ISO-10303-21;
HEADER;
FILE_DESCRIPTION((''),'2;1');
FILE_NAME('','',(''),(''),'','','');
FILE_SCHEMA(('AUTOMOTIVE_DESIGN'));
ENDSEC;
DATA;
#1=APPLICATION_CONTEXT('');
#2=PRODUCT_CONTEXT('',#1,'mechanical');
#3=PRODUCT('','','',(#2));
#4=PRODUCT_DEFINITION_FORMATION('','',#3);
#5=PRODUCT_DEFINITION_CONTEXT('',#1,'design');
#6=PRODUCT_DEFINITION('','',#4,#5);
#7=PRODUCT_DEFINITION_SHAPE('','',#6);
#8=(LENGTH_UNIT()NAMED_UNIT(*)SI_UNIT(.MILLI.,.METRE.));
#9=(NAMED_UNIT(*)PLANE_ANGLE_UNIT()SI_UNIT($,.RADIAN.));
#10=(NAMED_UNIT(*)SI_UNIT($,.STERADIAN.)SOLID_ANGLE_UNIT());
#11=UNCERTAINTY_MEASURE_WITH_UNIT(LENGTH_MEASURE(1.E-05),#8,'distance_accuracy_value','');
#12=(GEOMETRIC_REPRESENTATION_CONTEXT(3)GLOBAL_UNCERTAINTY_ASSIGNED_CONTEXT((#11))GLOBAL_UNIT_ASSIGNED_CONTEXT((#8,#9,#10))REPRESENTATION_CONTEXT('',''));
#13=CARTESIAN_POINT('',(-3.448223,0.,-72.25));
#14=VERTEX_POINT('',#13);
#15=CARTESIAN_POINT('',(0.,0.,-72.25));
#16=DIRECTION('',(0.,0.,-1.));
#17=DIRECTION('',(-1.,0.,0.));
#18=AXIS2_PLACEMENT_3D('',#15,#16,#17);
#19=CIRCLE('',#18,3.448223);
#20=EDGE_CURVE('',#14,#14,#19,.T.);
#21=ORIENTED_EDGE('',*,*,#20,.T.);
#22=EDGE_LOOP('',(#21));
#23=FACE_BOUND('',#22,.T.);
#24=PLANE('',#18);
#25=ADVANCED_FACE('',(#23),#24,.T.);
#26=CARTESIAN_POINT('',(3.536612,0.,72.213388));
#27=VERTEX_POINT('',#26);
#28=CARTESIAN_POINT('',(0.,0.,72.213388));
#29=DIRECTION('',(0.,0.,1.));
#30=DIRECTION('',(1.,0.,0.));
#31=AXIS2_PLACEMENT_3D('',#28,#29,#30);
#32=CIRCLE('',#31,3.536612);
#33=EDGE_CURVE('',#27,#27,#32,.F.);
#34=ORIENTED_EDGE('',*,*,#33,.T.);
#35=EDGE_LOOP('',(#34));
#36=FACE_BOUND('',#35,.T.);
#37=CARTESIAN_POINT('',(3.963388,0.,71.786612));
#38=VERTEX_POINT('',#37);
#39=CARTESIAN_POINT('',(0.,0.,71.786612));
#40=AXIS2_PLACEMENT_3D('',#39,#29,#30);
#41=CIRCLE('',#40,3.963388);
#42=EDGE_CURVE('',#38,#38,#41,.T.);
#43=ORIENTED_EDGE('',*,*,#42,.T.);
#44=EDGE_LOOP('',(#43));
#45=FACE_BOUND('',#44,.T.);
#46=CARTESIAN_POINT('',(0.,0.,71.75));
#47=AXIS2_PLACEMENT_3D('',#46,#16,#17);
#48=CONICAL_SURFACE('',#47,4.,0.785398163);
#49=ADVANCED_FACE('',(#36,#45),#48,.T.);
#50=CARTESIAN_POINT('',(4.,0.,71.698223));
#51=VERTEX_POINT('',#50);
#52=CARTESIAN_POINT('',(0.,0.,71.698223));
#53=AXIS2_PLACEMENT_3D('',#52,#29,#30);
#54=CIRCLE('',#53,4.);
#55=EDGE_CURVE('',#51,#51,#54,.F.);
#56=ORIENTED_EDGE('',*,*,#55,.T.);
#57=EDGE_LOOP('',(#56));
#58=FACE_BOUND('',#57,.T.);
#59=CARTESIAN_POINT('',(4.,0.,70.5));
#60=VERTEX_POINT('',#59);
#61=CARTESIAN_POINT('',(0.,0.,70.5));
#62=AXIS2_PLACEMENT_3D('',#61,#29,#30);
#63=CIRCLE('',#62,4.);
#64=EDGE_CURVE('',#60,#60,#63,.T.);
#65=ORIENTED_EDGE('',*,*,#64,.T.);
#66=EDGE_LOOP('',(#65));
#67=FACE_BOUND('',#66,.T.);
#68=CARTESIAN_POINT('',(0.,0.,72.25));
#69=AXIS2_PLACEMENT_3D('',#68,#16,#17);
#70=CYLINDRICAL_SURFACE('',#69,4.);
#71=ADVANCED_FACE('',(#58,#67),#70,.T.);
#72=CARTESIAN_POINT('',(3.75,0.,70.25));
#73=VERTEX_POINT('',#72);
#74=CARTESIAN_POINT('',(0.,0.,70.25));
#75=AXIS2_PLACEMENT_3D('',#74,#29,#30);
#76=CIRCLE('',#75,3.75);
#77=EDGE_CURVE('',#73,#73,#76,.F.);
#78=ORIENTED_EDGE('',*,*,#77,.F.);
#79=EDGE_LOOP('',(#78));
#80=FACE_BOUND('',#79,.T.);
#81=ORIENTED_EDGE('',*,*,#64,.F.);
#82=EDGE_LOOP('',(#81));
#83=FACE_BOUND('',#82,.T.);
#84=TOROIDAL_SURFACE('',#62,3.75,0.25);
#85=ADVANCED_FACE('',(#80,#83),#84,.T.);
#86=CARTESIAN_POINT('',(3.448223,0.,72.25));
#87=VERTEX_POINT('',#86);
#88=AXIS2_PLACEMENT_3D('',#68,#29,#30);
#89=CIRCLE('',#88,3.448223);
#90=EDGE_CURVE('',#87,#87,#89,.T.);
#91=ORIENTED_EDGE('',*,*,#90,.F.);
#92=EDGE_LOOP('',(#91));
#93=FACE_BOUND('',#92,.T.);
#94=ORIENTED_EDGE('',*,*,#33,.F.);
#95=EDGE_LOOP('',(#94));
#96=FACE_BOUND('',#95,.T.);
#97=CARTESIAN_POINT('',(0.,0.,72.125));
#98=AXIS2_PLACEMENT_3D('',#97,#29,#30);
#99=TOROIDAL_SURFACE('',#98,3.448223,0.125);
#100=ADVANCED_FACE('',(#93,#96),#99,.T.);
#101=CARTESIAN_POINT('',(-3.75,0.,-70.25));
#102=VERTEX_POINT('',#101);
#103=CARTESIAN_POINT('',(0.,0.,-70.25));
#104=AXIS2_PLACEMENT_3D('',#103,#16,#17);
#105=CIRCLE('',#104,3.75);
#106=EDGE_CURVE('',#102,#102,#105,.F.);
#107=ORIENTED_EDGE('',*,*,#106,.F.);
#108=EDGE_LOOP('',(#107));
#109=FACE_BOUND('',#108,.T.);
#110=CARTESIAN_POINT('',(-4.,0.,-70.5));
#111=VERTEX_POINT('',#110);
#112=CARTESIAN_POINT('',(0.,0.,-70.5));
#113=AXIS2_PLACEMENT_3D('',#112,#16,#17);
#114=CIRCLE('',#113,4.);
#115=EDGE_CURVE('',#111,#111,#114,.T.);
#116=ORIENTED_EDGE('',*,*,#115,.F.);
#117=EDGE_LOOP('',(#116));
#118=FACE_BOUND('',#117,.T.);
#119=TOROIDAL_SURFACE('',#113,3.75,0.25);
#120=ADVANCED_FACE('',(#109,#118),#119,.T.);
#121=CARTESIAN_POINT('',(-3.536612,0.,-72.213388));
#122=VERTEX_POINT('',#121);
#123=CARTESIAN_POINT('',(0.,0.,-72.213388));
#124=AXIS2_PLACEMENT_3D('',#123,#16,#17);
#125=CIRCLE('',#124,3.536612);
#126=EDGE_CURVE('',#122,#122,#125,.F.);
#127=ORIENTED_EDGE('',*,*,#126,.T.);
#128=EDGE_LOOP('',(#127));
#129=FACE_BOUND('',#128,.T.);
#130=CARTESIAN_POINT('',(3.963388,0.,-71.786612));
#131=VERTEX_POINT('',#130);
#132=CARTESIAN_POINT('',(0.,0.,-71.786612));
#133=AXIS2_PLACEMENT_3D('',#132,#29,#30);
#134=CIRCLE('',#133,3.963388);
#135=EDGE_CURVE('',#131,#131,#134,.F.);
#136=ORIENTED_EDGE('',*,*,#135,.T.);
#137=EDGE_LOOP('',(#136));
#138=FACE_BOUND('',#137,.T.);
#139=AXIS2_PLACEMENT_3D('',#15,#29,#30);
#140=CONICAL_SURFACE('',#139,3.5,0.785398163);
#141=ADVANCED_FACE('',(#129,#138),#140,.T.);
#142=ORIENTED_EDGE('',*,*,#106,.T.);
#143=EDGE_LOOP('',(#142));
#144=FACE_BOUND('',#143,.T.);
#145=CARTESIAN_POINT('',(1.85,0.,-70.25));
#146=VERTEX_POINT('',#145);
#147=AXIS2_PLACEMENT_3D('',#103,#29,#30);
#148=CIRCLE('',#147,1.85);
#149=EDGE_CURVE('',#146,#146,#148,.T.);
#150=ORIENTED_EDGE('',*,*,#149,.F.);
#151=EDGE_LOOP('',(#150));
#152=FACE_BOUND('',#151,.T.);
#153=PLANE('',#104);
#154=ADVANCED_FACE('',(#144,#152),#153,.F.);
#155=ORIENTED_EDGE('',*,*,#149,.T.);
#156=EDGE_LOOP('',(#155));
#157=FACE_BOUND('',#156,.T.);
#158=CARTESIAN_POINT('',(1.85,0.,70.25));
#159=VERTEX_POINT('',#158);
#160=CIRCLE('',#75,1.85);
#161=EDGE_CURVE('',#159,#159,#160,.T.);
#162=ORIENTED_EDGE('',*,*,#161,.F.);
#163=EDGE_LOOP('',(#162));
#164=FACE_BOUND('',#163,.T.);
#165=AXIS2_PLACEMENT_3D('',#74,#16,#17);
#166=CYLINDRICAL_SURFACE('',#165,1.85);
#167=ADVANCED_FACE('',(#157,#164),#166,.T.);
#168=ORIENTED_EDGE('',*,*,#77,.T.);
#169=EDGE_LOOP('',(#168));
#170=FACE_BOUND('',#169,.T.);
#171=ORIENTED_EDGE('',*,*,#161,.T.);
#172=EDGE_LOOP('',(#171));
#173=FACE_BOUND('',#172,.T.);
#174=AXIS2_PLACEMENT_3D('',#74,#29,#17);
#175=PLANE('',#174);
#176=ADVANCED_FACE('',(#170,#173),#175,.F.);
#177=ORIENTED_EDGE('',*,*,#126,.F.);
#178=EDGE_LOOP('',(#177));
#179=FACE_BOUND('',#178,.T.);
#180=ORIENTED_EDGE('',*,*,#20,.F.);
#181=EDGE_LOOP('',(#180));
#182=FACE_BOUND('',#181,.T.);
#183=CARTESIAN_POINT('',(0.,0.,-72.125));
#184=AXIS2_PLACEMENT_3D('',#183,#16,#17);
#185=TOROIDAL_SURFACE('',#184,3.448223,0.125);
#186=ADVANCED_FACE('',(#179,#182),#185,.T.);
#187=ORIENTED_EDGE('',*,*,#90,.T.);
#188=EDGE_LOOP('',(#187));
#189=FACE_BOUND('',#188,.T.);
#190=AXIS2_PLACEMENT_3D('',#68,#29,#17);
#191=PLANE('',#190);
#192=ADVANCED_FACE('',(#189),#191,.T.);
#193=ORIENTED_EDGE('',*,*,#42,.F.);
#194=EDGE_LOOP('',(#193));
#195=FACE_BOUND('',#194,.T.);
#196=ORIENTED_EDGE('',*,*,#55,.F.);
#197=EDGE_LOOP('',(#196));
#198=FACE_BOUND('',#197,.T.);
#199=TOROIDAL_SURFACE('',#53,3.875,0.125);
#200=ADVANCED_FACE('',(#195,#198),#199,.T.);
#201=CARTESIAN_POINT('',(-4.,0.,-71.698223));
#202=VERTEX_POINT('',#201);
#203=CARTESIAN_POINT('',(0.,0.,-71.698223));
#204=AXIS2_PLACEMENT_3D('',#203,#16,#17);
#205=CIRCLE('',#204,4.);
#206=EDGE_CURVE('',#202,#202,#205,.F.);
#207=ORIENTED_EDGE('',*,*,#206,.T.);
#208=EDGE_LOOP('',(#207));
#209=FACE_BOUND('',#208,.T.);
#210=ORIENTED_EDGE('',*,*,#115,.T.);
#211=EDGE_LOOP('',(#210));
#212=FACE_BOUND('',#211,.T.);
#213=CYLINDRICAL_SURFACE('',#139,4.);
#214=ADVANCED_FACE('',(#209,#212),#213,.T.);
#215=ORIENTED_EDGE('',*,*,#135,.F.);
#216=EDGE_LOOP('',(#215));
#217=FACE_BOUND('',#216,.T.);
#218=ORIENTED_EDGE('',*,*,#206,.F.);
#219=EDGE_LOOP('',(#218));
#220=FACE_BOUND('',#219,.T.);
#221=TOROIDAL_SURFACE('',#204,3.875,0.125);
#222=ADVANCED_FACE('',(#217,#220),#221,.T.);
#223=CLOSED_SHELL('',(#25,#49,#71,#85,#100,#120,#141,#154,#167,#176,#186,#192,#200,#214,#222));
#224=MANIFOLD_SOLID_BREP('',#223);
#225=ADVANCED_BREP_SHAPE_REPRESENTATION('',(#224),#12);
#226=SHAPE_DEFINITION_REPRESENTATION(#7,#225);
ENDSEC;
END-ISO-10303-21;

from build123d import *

# Parameters (mm, degrees)
SKETCH1_R                = 1.85
BOSS_EXTRUDE1_DEPTH      = 70.25
SKETCH2_R                = 4
BOSS_EXTRUDE2_DEPTH      = 2
CHAMFER1_SIZE            = 0.5
FILLET2_R                = 0.25
FILLET3_R                = 0.125
CHAMFER1_OF_MIRROR2_SIZE = 0.5
FILLET2_OF_MIRROR2_R     = 0.25
FILLET3_OF_MIRROR2_R     = 0.125


with BuildPart() as part:
    # Sketch1 → Boss-Extrude1 (new body, symmetric)
    with BuildSketch(Plane.XY):
        Circle(SKETCH1_R)
    extrude(amount=BOSS_EXTRUDE1_DEPTH, both=True)

    # Sketch2 → Boss-Extrude2 (add)
    with BuildSketch(Plane(origin=(0, 0, -70.25), x_dir=(-1, 0, 0), z_dir=(0, 0, -1))):
        Circle(SKETCH2_R)
    boss_extrude2 = extrude(amount=BOSS_EXTRUDE2_DEPTH)

    # Chamfer1
    chamfer1_edges = [part.edges().sort_by_distance(p)[0] for p in [
        (4, 0, -72.25),
    ]]
    chamfer(chamfer1_edges, length=CHAMFER1_SIZE)

    # Fillet2
    fillet2_edges = [part.edges().sort_by_distance(p)[0] for p in [
        (4, 0, -70.25),
    ]]
    fillet(fillet2_edges, radius=FILLET2_R)

    # Fillet3
    fillet3_edges = [part.edges().sort_by_distance(p)[0] for p in [
        (4, 0, -71.75),
        (3.5, 0, -72.25),
    ]]
    fillet(fillet3_edges, radius=FILLET3_R)

    # Mirror2: Boss-Extrude2 across plane
    add(boss_extrude2.mirror(Plane.XY))

    # Chamfer1 of Mirror2
    chamfer1_of_mirror2_edges = [part.edges().sort_by_distance(p)[0] for p in [
        (4, 0, 72.25),
    ]]
    chamfer(chamfer1_of_mirror2_edges, length=CHAMFER1_OF_MIRROR2_SIZE)

    # Fillet2 of Mirror2
    fillet2_of_mirror2_edges = [part.edges().sort_by_distance(p)[0] for p in [
        (4, 0, 70.25),
    ]]
    fillet(fillet2_of_mirror2_edges, radius=FILLET2_OF_MIRROR2_R)

    # Fillet3 of Mirror2
    fillet3_of_mirror2_edges = [part.edges().sort_by_distance(p)[0] for p in [
        (4, 0, 71.75),
        (3.5, 0, 72.25),
    ]]
    fillet(fillet3_of_mirror2_edges, radius=FILLET3_OF_MIRROR2_R)


solid = part.part
